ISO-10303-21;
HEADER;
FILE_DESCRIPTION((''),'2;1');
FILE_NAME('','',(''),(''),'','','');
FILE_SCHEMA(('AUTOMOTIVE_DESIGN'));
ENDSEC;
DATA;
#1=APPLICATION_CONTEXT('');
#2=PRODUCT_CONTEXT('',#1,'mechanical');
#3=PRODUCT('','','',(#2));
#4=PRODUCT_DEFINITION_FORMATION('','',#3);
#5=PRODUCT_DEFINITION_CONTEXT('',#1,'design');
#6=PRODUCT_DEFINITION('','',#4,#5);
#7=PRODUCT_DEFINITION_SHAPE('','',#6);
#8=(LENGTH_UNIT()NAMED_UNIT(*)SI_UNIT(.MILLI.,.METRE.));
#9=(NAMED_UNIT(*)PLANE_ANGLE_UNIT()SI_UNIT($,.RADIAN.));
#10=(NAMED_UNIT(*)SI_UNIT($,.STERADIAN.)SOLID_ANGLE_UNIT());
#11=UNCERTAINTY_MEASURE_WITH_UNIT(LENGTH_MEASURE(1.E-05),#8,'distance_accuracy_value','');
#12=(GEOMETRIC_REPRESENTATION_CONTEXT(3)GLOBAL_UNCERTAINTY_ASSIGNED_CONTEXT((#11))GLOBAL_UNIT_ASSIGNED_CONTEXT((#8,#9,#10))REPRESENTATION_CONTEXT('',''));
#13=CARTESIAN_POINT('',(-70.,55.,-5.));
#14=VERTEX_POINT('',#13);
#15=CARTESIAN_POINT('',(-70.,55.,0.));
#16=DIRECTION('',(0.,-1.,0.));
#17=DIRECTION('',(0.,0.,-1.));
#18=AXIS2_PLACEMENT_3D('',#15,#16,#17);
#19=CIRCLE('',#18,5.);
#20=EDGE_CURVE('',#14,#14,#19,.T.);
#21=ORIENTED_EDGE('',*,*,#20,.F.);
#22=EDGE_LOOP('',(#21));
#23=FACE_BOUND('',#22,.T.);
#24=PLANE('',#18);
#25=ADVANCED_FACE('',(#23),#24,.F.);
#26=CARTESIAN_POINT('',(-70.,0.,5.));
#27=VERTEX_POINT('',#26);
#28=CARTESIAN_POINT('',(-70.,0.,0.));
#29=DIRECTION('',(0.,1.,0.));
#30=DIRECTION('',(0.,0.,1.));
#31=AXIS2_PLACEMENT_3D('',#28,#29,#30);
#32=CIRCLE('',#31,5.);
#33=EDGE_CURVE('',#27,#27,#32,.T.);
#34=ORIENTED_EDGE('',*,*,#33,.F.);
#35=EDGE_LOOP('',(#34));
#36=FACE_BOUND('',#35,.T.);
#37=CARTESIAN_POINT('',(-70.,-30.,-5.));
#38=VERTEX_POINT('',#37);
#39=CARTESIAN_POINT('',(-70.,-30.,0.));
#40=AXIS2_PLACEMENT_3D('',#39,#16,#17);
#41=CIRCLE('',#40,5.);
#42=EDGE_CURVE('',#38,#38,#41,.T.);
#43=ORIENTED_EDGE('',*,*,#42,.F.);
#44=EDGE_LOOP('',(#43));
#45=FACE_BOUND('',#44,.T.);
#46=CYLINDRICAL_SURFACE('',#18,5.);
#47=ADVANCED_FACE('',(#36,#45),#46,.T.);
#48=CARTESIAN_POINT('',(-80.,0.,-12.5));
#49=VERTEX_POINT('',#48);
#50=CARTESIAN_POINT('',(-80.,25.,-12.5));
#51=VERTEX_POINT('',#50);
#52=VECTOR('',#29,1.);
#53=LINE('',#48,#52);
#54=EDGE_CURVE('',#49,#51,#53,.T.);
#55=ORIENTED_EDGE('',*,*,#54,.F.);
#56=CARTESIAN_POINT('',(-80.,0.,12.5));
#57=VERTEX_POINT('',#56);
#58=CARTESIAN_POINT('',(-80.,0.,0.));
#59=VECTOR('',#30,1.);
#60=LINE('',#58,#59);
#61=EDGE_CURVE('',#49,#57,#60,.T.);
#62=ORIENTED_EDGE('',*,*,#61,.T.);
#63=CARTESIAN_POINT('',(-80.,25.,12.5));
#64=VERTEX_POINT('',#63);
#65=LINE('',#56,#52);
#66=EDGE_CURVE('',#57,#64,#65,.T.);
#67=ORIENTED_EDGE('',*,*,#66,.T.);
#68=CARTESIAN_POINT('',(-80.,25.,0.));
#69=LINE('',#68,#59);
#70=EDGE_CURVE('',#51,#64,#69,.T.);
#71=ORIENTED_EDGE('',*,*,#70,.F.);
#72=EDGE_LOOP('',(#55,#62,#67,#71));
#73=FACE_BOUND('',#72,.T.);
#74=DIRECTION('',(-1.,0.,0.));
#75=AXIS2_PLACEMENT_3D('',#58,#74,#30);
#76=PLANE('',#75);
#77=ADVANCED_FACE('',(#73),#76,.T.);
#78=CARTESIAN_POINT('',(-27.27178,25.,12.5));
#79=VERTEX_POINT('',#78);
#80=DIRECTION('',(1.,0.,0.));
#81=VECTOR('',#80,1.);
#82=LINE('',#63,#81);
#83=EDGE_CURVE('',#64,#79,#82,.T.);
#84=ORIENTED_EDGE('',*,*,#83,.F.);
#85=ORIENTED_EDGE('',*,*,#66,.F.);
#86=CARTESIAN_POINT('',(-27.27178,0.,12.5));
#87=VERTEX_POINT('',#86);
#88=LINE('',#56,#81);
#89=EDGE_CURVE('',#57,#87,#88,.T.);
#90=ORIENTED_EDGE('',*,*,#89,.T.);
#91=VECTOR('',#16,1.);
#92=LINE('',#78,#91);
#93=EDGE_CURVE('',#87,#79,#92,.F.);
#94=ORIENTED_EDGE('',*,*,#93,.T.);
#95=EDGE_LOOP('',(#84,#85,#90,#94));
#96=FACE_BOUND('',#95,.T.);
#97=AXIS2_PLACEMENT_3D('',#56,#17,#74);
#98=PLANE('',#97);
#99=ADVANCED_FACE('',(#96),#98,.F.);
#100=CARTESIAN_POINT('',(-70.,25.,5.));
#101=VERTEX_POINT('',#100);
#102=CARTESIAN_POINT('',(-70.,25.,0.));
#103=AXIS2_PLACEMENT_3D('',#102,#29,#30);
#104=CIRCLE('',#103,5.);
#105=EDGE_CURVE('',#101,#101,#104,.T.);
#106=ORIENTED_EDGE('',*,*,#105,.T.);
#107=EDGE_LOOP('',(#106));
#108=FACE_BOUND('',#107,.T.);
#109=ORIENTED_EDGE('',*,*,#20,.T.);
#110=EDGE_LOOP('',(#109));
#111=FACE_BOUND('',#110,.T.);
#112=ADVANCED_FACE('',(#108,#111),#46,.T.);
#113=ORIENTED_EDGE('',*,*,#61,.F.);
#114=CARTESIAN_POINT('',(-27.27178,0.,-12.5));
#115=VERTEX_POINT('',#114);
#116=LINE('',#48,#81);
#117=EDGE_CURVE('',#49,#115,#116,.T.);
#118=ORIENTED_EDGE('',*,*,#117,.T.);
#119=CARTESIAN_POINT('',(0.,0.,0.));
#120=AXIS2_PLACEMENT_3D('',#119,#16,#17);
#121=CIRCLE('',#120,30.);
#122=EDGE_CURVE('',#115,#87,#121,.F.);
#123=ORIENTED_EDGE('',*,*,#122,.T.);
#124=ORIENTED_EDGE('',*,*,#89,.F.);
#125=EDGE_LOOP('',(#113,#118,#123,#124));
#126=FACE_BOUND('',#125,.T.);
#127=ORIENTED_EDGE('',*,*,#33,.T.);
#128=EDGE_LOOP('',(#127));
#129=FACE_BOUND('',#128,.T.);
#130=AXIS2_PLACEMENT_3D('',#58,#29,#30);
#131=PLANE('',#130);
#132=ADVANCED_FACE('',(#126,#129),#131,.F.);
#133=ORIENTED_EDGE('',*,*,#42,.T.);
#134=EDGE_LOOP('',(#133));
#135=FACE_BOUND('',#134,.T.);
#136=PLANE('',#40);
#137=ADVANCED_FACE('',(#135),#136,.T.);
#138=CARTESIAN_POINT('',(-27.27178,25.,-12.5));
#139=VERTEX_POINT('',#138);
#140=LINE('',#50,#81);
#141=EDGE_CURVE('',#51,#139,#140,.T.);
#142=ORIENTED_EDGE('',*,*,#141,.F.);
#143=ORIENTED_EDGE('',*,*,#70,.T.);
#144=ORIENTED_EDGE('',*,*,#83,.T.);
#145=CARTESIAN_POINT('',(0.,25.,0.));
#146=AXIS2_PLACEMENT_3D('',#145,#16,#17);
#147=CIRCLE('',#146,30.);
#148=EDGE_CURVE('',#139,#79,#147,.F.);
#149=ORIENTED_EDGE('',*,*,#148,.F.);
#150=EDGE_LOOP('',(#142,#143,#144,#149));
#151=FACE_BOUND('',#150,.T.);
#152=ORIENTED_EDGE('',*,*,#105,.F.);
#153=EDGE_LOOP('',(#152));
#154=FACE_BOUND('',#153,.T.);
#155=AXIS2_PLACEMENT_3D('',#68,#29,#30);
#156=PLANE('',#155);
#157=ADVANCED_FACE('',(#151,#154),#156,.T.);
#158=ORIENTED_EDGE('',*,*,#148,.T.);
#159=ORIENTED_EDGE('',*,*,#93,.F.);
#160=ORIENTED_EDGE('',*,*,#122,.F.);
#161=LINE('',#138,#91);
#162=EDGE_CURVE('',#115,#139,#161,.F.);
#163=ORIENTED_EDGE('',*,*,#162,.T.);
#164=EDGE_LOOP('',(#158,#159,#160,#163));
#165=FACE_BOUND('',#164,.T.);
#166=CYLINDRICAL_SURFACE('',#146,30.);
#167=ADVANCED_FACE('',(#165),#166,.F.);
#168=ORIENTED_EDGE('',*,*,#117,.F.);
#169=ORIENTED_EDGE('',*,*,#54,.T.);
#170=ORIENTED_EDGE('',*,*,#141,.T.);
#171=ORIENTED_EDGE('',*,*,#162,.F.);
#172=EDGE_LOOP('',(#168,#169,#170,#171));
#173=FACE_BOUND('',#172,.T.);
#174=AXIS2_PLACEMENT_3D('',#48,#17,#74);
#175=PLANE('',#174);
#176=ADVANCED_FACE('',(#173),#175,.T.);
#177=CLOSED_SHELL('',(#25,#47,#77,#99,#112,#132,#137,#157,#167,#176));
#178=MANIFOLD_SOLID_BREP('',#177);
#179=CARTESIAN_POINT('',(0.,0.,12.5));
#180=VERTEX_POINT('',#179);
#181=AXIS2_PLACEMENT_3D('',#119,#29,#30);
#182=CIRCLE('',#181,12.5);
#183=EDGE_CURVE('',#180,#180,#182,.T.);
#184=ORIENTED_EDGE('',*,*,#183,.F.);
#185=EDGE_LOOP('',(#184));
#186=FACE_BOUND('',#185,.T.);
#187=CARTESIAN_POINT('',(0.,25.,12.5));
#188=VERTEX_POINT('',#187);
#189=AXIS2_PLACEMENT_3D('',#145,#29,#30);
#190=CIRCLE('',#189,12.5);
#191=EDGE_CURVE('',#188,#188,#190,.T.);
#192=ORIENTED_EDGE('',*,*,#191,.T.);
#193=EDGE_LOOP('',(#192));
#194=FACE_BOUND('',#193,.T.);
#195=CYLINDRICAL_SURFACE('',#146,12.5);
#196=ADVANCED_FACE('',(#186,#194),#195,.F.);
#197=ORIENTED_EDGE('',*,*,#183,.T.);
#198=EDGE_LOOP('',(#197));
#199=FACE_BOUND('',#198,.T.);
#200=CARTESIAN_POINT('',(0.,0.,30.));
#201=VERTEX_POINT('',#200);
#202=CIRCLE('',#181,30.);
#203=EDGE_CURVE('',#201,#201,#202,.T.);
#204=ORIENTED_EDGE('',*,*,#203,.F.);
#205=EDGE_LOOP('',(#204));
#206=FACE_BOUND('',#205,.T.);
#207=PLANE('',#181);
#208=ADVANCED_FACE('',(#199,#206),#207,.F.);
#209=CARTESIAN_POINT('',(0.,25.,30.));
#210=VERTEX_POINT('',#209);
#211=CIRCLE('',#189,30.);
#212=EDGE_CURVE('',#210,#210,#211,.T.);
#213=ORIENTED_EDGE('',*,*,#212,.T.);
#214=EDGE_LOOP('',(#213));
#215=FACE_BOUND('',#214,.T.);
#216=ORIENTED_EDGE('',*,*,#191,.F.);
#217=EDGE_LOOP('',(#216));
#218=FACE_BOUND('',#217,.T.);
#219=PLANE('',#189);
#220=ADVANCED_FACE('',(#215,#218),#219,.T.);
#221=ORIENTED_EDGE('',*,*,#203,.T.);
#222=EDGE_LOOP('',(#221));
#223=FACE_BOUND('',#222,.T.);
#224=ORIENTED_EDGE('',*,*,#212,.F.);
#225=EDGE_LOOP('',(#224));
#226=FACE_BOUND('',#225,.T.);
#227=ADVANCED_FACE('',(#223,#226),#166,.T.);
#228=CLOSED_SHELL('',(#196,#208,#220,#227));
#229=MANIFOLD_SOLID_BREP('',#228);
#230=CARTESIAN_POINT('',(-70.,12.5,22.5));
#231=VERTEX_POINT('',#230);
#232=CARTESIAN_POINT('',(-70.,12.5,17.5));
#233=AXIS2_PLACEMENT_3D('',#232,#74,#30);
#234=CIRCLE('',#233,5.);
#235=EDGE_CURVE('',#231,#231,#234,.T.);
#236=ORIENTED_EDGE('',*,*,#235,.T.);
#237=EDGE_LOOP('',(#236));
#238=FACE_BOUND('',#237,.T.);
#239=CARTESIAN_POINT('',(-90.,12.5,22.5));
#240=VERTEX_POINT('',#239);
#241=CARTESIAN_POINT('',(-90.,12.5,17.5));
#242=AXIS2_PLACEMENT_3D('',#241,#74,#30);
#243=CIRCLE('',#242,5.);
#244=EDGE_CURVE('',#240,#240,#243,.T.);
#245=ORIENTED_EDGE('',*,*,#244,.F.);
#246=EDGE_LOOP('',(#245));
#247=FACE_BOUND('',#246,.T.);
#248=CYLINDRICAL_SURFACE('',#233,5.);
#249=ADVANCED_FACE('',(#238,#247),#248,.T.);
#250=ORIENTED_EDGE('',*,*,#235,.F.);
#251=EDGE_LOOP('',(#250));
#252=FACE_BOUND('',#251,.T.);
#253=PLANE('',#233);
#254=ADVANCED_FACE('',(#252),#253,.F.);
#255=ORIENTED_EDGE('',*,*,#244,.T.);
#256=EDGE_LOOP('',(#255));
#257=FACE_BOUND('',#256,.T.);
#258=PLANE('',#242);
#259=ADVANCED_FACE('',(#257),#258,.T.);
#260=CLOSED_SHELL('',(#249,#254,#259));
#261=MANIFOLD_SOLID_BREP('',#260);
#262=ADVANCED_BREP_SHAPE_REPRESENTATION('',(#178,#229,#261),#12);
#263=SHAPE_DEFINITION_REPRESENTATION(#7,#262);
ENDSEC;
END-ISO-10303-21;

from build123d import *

# Parameters (mm, degrees)
SKETCH1_R                            = 30
SKETCH1_R_2                          = 12.5
BOSS_EXTRUDE1_DEPTH                  = 25
SKETCH3_W                            = 25
SKETCH3_H                            = 25
BOSS_EXTRUDE2_DEPTH                  = 50
BOSS_EXTRUDE2_DIRECTION_2_REACH      = 73.589
BOSS_EXTRUDE2_DIRECTION_2_END_RADIUS = 30
BOSS_EXTRUDE3_DEPTH                  = 30
BOSS_EXTRUDE3_DEPTH_BACK             = 55
SKETCH4_R                            = 5
BOSS_EXTRUDE4_DEPTH                  = 10
BOSS_EXTRUDE4_DEPTH_BACK             = 10
SKETCH5_R                            = 5


with BuildPart() as part:
    # Sketch1 → Boss-Extrude1 (new body)
    with BuildSketch(Plane(origin=(0, 0, 0), x_dir=(1, 0, 0), z_dir=(0, 1, 0))):
        Circle(SKETCH1_R)
        Circle(SKETCH1_R_2, mode=Mode.SUBTRACT)
    extrude(amount=BOSS_EXTRUDE1_DEPTH)


with BuildPart() as body_2:
    # Sketch3 → Boss-Extrude2 (new body)
    with BuildSketch(Plane.ZY.offset(30)):
        with Locations((0, 12.5)):
            Rectangle(SKETCH3_W, SKETCH3_H)
    extrude(amount=BOSS_EXTRUDE2_DEPTH)

    # Boss-Extrude2 direction 2: up to this cylinder (the profile starts outside it)
    boss_extrude2_direction_2_end = Plane(origin=(0, 12.5, 0), z_dir=(0, -1, 0)) * Cylinder(BOSS_EXTRUDE2_DIRECTION_2_END_RADIUS, 208.178, mode=Mode.PRIVATE)
    # Sketch3 → Boss-Extrude2 direction 2 (add, up to the surface)
    with BuildSketch(Plane.ZY.offset(30), mode=Mode.PRIVATE) as boss_extrude2_direction_2_sk1:
        with Locations((0, 12.5)):
            Rectangle(SKETCH3_W, SKETCH3_H)
    boss_extrude2_direction_2_tool1 = extrude(boss_extrude2_direction_2_sk1.sketch, amount=-BOSS_EXTRUDE2_DIRECTION_2_REACH, mode=Mode.PRIVATE) - boss_extrude2_direction_2_end
    add(boss_extrude2_direction_2_tool1.solids().sort_by_distance((-30, 12.5, 0))[0])
    add(boss_extrude2_direction_2_tool1.solids().sort_by_distance((-30, 12.5, 0))[1])

    # Sketch4 → Boss-Extrude3 (add, two sides: drawn at the far end of the back side and taken through both)
    with BuildSketch(Plane.XZ.offset(-BOSS_EXTRUDE3_DEPTH_BACK)):
        with Locations((-70, 0)):
            Circle(SKETCH4_R)
    extrude(amount=BOSS_EXTRUDE3_DEPTH + BOSS_EXTRUDE3_DEPTH_BACK)


with BuildPart() as body_3:
    # Sketch5 → Boss-Extrude4 (new, two sides: drawn at the far end of the back side and taken through both)
    with BuildSketch(Plane.ZY.offset(80).offset(-BOSS_EXTRUDE4_DEPTH_BACK)):
        with Locations((17.5, 12.5)):
            Circle(SKETCH5_R)
    extrude(amount=BOSS_EXTRUDE4_DEPTH + BOSS_EXTRUDE4_DEPTH_BACK)


solid = Compound([part.part, body_2.part, body_3.part])
